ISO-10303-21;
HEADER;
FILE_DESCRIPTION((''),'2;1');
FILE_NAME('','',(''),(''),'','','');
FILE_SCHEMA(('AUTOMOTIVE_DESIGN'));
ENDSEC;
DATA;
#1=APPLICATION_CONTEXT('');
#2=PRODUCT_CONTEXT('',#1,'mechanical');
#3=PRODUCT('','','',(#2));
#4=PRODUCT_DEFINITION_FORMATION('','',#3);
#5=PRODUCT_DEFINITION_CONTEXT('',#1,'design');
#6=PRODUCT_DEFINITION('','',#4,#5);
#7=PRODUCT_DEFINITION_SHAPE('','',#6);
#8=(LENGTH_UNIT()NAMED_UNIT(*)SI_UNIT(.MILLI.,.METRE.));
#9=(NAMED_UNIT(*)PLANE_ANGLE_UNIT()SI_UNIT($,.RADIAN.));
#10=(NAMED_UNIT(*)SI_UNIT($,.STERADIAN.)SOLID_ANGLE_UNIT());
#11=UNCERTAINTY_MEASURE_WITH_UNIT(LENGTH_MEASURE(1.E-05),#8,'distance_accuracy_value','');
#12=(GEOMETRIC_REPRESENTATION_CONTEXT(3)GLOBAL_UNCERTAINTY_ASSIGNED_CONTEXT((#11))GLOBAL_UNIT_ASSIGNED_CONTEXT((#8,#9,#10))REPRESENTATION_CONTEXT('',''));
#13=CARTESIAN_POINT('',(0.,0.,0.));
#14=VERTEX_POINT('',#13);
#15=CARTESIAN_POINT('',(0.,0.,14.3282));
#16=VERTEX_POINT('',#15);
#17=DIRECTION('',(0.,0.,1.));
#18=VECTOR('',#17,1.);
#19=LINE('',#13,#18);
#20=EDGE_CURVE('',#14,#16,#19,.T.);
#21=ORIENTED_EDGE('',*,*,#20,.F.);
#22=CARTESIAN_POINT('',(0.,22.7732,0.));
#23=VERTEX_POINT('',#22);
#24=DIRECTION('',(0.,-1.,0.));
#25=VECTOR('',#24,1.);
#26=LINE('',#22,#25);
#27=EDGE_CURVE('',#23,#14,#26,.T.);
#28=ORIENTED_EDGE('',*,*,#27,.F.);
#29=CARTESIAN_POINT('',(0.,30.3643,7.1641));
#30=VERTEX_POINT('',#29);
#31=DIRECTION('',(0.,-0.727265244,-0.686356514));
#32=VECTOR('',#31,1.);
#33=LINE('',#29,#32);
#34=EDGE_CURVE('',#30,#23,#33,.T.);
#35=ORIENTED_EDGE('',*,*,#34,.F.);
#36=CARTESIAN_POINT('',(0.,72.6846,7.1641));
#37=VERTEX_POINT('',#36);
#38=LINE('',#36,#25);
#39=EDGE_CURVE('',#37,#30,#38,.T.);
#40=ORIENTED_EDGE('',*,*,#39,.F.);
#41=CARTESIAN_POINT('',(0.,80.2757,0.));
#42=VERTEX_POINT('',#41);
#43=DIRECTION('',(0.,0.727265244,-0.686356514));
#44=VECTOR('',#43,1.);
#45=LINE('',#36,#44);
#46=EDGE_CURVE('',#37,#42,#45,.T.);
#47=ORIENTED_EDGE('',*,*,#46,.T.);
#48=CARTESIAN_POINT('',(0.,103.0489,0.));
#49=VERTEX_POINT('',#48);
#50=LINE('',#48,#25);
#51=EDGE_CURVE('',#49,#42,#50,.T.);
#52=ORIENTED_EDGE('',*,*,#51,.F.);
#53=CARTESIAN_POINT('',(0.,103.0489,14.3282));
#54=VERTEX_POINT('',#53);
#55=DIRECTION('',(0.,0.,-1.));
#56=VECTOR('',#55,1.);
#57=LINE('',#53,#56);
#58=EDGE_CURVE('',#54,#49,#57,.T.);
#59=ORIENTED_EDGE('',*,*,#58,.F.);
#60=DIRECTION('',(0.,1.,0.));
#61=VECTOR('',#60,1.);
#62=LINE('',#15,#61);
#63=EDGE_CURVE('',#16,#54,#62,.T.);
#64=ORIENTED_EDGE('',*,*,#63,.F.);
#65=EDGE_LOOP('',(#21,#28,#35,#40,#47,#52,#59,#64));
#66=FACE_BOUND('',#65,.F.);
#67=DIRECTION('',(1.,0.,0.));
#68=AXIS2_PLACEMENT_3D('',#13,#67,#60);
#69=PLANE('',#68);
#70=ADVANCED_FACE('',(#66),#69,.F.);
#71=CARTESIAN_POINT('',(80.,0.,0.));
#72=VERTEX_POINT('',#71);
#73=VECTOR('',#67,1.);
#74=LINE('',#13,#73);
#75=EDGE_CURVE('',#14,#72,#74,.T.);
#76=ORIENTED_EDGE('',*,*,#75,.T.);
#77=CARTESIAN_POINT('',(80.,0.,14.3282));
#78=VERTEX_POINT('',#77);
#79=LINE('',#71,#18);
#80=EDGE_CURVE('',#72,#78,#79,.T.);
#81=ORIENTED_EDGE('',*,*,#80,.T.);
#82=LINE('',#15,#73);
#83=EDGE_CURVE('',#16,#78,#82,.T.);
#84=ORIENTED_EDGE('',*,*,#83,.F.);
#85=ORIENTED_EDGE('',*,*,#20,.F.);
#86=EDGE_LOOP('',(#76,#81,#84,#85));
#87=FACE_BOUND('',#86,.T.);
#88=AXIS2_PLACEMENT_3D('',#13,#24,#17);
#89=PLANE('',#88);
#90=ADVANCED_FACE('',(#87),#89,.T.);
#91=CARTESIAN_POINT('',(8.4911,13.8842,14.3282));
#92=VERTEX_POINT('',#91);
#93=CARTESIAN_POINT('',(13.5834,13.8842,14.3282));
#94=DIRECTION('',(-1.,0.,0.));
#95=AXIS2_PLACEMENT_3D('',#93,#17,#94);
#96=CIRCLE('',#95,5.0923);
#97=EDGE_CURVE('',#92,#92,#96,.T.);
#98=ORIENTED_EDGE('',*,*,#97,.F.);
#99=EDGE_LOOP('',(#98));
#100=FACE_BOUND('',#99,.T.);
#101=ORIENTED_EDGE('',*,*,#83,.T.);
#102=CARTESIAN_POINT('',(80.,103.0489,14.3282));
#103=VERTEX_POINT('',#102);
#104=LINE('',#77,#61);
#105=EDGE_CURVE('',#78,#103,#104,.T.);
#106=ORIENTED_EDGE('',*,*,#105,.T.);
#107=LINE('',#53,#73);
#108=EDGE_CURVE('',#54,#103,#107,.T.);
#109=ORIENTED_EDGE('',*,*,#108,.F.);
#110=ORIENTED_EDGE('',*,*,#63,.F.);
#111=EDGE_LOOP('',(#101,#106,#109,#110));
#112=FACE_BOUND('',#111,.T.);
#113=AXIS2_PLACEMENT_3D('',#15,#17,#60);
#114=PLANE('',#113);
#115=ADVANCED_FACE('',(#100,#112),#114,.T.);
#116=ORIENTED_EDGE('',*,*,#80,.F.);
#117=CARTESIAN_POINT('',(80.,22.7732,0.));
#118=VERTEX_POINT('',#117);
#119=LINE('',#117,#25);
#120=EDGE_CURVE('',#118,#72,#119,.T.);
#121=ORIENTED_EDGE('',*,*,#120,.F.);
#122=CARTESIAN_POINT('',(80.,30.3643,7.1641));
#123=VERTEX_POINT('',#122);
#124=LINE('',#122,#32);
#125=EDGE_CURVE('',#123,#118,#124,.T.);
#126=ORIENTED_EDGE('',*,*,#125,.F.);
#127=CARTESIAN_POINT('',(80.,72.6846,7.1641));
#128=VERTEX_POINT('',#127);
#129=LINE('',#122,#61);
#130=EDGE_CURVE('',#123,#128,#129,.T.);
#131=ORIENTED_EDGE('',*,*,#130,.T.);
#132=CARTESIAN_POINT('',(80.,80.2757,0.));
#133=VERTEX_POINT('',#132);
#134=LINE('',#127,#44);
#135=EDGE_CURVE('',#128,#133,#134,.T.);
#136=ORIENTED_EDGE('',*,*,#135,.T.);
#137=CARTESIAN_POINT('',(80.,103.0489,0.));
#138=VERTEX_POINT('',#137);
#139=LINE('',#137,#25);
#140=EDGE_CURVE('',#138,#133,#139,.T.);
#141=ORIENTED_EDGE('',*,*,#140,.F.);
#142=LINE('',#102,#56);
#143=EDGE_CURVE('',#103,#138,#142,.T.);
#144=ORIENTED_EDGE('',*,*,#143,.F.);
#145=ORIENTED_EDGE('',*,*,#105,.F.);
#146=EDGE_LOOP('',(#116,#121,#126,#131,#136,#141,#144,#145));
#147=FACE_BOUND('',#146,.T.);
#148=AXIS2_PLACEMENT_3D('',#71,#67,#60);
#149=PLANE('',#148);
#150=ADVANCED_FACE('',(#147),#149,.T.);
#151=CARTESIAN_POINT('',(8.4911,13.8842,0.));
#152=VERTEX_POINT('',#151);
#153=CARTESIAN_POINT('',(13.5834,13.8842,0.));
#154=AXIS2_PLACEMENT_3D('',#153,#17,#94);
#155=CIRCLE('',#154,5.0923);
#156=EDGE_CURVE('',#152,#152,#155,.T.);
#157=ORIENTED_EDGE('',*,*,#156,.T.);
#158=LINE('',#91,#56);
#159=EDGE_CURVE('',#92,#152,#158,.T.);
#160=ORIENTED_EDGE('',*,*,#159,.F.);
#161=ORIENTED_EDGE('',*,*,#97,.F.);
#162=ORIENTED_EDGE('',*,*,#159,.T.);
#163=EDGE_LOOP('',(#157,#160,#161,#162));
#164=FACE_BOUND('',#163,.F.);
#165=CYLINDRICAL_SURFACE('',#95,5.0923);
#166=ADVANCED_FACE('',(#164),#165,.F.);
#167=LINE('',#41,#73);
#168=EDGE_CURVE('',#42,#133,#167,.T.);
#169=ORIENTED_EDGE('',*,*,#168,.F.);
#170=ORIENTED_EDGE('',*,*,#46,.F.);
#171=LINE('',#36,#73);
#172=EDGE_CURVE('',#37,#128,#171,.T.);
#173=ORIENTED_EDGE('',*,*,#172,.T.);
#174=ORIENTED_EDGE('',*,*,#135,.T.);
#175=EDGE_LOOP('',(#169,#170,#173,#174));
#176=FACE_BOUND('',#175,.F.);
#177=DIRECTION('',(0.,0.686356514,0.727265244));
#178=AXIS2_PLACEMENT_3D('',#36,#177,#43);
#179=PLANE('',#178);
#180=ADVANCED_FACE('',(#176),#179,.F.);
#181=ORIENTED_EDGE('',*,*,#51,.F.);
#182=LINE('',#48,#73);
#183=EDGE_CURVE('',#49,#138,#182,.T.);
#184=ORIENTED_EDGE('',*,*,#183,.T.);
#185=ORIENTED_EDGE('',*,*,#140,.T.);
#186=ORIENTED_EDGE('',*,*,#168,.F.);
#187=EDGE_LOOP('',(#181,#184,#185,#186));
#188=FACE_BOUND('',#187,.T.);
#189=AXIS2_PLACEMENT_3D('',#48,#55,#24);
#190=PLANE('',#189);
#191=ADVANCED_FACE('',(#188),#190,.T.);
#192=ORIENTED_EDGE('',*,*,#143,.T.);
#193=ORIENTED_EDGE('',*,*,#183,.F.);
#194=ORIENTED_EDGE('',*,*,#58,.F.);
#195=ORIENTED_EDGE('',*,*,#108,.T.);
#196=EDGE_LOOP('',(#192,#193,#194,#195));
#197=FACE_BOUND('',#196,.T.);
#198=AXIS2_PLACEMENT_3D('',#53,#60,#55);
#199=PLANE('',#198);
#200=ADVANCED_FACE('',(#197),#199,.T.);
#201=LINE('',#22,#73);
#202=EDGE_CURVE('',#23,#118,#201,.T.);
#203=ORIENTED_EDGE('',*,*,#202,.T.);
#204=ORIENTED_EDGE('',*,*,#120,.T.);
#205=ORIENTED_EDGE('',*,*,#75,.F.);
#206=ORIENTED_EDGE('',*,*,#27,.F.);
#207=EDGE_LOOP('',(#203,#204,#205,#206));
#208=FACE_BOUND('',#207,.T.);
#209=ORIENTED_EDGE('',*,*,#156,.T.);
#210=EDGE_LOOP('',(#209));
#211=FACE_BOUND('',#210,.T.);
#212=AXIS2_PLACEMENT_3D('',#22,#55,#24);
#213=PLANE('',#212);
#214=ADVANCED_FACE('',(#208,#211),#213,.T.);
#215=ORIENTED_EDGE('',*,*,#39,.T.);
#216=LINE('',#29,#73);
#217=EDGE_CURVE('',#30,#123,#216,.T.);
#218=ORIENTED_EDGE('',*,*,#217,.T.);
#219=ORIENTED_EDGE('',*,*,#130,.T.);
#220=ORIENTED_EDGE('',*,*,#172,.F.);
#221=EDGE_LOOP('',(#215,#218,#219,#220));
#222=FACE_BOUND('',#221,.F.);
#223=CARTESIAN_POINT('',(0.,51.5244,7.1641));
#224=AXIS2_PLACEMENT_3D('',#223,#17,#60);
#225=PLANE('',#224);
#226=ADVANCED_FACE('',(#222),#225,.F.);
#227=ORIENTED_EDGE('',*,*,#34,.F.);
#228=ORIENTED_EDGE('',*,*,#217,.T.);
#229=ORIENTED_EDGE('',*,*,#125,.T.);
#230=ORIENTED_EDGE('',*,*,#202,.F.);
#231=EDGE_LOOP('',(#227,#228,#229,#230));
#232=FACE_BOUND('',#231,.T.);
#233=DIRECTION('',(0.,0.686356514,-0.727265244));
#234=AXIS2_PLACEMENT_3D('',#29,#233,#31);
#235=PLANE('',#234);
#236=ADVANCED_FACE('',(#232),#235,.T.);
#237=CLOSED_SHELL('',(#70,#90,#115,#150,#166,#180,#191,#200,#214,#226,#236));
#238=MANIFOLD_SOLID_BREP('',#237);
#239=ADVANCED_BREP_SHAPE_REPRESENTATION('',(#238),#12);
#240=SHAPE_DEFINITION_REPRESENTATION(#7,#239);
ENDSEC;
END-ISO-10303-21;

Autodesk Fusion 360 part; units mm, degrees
sketch "Sketch1" plane through (0, 0, 0) normal (1, 0, 0) x (0, 1, 0)
  line L0 (0, 0) -> (0, 14.3282)
  line L1 (0, 14.3282) -> (103.0489, 14.3282)
  line L2 (103.0489, 14.3282) -> (103.0489, 0)
  line L3 (51.5244, 0) -> (51.5244, 7.1641) construction
  line L4 (51.5244, 7.1641) -> (72.6846, 7.1641)
  line L5 (72.6846, 7.1641) -> (80.2757, 0)
  line L6 (51.5244, 7.1641) -> (30.3643, 7.1641)
  line L7 (30.3643, 7.1641) -> (22.7732, 0)
  line L8 (103.0489, 0) -> (80.2757, 0)
  line L9 (22.7732, 0) -> (0, 0)
extrude "Extrude1" add sketch "Sketch1" along normal blind 80
sketch "Sketch2" plane through (0, 0, 14.3282) normal (0, 0, 1) x (-1, 0, 0)
  circle A0 centre (-13.5834, -13.8842) radius 5.0923
extrude "Extrude2" cut sketch "Sketch2" against normal through all
